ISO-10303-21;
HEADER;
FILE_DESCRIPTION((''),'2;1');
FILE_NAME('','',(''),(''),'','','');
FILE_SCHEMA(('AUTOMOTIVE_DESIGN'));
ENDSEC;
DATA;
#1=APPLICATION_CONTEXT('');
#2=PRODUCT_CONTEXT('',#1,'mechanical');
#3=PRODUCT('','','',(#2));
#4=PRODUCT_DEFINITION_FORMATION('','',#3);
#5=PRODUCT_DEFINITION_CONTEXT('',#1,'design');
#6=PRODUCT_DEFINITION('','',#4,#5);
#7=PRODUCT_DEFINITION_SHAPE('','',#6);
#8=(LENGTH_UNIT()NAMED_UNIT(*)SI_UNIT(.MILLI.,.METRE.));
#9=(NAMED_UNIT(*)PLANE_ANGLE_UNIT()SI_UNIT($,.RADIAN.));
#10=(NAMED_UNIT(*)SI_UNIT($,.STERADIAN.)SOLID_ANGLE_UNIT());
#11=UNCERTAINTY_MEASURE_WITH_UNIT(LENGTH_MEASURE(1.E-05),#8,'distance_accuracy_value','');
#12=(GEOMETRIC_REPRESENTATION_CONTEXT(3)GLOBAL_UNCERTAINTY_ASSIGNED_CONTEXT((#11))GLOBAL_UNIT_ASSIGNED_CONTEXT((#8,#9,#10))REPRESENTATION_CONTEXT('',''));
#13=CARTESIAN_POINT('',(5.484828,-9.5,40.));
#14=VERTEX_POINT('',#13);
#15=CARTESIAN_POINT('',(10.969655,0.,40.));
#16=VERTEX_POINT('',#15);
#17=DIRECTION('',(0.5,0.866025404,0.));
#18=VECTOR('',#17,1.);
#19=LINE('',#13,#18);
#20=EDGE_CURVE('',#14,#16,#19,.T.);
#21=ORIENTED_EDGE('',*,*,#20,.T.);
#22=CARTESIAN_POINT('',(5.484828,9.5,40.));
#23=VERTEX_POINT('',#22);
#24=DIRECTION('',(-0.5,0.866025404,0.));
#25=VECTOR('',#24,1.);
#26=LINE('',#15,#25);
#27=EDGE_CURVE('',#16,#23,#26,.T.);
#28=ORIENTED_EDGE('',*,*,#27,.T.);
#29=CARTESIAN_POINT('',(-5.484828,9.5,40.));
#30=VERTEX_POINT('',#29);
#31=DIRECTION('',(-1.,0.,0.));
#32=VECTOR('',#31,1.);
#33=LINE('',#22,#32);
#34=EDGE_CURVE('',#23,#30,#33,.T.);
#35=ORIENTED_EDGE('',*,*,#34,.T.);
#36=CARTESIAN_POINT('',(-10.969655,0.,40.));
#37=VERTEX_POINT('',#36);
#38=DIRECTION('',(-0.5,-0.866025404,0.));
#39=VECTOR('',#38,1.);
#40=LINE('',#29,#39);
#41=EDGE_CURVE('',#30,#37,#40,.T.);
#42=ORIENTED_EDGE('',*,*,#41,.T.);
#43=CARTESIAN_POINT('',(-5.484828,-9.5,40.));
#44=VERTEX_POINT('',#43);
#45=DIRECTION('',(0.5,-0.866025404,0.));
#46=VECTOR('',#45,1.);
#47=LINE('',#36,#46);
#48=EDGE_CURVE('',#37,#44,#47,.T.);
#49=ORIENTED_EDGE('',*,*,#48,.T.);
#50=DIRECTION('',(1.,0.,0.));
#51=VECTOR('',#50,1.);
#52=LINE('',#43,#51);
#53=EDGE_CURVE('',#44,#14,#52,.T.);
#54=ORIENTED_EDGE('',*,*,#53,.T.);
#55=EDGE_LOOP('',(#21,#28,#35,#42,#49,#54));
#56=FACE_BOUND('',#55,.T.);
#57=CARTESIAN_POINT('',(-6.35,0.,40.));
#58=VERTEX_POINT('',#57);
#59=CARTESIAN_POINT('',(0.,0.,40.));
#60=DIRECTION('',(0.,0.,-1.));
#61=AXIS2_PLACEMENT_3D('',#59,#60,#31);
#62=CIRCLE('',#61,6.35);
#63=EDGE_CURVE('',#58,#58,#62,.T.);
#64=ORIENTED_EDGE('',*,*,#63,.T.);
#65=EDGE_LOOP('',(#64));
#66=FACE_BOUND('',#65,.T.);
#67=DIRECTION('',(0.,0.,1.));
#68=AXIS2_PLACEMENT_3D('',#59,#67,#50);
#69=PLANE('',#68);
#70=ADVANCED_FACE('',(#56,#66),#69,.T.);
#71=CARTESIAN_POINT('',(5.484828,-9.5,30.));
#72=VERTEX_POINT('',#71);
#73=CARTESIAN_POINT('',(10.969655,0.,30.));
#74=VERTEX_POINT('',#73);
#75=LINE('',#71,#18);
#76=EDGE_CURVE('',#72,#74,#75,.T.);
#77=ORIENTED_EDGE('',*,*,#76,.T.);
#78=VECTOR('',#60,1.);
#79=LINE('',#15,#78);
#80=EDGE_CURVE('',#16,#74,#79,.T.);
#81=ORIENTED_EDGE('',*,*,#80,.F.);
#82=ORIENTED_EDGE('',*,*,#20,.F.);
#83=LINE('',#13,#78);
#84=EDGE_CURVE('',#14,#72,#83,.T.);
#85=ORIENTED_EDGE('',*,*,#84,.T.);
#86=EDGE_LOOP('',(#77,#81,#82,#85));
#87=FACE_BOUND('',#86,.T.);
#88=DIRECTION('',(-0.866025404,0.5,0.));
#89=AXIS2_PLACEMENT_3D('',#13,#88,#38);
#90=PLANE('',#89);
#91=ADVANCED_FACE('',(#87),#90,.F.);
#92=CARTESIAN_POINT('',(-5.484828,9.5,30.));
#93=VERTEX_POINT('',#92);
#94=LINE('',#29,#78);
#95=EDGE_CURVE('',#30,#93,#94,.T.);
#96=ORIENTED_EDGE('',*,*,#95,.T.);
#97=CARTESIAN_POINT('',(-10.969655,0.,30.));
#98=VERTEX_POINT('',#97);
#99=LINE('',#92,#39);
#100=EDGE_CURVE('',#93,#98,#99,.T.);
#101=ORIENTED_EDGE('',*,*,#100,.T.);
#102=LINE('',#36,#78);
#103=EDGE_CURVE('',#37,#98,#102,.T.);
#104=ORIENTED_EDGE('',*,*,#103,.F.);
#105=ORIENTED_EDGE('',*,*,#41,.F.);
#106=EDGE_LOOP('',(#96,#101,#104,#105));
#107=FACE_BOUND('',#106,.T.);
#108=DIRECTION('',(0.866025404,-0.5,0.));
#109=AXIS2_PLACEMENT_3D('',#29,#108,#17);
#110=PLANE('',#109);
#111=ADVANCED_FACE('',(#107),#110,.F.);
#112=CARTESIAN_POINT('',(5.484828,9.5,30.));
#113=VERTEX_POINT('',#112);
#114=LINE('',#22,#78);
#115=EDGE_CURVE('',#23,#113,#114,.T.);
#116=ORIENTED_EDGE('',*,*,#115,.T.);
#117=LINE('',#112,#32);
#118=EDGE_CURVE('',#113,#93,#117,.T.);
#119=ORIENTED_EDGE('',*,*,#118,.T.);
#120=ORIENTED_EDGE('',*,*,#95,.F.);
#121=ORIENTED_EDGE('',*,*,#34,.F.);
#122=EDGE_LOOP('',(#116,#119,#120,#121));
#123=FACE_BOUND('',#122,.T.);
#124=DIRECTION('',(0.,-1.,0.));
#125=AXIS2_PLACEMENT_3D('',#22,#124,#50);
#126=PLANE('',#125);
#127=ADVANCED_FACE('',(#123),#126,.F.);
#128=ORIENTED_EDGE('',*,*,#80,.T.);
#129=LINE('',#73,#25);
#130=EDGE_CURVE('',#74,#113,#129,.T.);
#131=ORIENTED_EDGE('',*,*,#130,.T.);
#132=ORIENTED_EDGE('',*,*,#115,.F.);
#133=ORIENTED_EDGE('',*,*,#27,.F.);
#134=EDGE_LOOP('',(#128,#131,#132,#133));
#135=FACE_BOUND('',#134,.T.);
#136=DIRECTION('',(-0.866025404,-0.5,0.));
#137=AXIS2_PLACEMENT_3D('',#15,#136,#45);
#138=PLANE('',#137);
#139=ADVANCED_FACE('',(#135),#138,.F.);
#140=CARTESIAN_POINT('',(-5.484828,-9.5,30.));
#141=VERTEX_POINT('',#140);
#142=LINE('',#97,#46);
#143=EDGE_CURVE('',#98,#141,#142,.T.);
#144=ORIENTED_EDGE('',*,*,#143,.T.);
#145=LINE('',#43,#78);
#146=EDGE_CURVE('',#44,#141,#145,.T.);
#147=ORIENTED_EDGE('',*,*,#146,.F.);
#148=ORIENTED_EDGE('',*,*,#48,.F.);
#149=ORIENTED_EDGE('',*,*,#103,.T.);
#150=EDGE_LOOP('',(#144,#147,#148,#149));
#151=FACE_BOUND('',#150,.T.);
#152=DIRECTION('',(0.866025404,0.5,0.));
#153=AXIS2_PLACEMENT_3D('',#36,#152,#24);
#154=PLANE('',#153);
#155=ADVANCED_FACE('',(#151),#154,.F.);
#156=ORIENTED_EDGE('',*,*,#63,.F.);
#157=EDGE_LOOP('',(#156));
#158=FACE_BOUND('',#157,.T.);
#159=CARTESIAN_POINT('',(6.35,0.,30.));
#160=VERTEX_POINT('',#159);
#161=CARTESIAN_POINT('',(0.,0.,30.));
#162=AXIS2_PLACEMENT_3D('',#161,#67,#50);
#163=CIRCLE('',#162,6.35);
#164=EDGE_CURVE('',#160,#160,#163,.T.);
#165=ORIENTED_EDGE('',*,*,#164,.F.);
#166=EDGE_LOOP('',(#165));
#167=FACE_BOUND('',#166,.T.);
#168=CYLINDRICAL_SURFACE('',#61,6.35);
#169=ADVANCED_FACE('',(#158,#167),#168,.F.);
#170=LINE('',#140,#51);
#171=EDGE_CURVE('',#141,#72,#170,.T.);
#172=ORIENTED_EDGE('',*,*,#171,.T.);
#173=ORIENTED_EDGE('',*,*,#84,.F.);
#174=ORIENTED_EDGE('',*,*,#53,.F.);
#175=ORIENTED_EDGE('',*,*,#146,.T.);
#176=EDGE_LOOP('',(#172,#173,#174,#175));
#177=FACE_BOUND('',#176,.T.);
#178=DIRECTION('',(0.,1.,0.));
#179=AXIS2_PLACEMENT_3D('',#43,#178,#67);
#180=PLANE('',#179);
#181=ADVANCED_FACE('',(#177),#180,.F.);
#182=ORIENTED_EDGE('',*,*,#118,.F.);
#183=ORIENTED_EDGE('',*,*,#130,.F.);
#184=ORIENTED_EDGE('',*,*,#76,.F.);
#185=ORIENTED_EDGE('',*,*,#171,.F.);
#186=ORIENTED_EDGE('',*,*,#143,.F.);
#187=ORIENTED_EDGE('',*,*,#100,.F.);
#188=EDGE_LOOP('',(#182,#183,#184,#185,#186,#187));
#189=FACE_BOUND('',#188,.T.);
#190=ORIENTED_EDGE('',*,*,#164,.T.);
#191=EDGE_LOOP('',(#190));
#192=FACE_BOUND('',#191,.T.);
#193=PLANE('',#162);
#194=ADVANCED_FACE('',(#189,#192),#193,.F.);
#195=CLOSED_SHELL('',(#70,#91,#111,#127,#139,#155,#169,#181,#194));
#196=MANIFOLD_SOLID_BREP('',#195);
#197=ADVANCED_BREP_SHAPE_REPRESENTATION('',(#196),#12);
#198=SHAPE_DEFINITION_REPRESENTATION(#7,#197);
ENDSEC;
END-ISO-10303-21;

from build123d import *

# Parameters (mm, degrees)
CROQUIS1_R              = 6.35
SALIENTE_EXTRUIR1_DEPTH = 30
SALIENTE_EXTRUIR2_DEPTH = 10
CROQUIS4_R              = 6.35
CORTAR_EXTRUIR1_DEPTH   = 43.550949852


with BuildPart() as part:
    # Croquis1 → Saliente-Extruir1 (new body)
    with BuildSketch(Plane.XY):
        Circle(CROQUIS1_R)
    extrude(amount=SALIENTE_EXTRUIR1_DEPTH)

    # Croquis2 → Saliente-Extruir2 (add)
    with BuildSketch(Plane.XY.offset(30)):
        Polygon((10.969655115, 0), (5.484827557, 9.5), (-5.484827557, 9.5), (-10.969655115, 0), (-5.484827557, -9.5), (5.484827557, -9.5), align=None)
    extrude(amount=SALIENTE_EXTRUIR2_DEPTH)

    # Croquis4 → Cortar-Extruir1 (cut, through all)
    with BuildSketch(Plane(origin=(0, 0, 0), x_dir=(-1, 0, 0), z_dir=(0, 0, -1))):
        Circle(CROQUIS4_R)
    extrude(amount=-CORTAR_EXTRUIR1_DEPTH, mode=Mode.SUBTRACT)


solid = part.part
